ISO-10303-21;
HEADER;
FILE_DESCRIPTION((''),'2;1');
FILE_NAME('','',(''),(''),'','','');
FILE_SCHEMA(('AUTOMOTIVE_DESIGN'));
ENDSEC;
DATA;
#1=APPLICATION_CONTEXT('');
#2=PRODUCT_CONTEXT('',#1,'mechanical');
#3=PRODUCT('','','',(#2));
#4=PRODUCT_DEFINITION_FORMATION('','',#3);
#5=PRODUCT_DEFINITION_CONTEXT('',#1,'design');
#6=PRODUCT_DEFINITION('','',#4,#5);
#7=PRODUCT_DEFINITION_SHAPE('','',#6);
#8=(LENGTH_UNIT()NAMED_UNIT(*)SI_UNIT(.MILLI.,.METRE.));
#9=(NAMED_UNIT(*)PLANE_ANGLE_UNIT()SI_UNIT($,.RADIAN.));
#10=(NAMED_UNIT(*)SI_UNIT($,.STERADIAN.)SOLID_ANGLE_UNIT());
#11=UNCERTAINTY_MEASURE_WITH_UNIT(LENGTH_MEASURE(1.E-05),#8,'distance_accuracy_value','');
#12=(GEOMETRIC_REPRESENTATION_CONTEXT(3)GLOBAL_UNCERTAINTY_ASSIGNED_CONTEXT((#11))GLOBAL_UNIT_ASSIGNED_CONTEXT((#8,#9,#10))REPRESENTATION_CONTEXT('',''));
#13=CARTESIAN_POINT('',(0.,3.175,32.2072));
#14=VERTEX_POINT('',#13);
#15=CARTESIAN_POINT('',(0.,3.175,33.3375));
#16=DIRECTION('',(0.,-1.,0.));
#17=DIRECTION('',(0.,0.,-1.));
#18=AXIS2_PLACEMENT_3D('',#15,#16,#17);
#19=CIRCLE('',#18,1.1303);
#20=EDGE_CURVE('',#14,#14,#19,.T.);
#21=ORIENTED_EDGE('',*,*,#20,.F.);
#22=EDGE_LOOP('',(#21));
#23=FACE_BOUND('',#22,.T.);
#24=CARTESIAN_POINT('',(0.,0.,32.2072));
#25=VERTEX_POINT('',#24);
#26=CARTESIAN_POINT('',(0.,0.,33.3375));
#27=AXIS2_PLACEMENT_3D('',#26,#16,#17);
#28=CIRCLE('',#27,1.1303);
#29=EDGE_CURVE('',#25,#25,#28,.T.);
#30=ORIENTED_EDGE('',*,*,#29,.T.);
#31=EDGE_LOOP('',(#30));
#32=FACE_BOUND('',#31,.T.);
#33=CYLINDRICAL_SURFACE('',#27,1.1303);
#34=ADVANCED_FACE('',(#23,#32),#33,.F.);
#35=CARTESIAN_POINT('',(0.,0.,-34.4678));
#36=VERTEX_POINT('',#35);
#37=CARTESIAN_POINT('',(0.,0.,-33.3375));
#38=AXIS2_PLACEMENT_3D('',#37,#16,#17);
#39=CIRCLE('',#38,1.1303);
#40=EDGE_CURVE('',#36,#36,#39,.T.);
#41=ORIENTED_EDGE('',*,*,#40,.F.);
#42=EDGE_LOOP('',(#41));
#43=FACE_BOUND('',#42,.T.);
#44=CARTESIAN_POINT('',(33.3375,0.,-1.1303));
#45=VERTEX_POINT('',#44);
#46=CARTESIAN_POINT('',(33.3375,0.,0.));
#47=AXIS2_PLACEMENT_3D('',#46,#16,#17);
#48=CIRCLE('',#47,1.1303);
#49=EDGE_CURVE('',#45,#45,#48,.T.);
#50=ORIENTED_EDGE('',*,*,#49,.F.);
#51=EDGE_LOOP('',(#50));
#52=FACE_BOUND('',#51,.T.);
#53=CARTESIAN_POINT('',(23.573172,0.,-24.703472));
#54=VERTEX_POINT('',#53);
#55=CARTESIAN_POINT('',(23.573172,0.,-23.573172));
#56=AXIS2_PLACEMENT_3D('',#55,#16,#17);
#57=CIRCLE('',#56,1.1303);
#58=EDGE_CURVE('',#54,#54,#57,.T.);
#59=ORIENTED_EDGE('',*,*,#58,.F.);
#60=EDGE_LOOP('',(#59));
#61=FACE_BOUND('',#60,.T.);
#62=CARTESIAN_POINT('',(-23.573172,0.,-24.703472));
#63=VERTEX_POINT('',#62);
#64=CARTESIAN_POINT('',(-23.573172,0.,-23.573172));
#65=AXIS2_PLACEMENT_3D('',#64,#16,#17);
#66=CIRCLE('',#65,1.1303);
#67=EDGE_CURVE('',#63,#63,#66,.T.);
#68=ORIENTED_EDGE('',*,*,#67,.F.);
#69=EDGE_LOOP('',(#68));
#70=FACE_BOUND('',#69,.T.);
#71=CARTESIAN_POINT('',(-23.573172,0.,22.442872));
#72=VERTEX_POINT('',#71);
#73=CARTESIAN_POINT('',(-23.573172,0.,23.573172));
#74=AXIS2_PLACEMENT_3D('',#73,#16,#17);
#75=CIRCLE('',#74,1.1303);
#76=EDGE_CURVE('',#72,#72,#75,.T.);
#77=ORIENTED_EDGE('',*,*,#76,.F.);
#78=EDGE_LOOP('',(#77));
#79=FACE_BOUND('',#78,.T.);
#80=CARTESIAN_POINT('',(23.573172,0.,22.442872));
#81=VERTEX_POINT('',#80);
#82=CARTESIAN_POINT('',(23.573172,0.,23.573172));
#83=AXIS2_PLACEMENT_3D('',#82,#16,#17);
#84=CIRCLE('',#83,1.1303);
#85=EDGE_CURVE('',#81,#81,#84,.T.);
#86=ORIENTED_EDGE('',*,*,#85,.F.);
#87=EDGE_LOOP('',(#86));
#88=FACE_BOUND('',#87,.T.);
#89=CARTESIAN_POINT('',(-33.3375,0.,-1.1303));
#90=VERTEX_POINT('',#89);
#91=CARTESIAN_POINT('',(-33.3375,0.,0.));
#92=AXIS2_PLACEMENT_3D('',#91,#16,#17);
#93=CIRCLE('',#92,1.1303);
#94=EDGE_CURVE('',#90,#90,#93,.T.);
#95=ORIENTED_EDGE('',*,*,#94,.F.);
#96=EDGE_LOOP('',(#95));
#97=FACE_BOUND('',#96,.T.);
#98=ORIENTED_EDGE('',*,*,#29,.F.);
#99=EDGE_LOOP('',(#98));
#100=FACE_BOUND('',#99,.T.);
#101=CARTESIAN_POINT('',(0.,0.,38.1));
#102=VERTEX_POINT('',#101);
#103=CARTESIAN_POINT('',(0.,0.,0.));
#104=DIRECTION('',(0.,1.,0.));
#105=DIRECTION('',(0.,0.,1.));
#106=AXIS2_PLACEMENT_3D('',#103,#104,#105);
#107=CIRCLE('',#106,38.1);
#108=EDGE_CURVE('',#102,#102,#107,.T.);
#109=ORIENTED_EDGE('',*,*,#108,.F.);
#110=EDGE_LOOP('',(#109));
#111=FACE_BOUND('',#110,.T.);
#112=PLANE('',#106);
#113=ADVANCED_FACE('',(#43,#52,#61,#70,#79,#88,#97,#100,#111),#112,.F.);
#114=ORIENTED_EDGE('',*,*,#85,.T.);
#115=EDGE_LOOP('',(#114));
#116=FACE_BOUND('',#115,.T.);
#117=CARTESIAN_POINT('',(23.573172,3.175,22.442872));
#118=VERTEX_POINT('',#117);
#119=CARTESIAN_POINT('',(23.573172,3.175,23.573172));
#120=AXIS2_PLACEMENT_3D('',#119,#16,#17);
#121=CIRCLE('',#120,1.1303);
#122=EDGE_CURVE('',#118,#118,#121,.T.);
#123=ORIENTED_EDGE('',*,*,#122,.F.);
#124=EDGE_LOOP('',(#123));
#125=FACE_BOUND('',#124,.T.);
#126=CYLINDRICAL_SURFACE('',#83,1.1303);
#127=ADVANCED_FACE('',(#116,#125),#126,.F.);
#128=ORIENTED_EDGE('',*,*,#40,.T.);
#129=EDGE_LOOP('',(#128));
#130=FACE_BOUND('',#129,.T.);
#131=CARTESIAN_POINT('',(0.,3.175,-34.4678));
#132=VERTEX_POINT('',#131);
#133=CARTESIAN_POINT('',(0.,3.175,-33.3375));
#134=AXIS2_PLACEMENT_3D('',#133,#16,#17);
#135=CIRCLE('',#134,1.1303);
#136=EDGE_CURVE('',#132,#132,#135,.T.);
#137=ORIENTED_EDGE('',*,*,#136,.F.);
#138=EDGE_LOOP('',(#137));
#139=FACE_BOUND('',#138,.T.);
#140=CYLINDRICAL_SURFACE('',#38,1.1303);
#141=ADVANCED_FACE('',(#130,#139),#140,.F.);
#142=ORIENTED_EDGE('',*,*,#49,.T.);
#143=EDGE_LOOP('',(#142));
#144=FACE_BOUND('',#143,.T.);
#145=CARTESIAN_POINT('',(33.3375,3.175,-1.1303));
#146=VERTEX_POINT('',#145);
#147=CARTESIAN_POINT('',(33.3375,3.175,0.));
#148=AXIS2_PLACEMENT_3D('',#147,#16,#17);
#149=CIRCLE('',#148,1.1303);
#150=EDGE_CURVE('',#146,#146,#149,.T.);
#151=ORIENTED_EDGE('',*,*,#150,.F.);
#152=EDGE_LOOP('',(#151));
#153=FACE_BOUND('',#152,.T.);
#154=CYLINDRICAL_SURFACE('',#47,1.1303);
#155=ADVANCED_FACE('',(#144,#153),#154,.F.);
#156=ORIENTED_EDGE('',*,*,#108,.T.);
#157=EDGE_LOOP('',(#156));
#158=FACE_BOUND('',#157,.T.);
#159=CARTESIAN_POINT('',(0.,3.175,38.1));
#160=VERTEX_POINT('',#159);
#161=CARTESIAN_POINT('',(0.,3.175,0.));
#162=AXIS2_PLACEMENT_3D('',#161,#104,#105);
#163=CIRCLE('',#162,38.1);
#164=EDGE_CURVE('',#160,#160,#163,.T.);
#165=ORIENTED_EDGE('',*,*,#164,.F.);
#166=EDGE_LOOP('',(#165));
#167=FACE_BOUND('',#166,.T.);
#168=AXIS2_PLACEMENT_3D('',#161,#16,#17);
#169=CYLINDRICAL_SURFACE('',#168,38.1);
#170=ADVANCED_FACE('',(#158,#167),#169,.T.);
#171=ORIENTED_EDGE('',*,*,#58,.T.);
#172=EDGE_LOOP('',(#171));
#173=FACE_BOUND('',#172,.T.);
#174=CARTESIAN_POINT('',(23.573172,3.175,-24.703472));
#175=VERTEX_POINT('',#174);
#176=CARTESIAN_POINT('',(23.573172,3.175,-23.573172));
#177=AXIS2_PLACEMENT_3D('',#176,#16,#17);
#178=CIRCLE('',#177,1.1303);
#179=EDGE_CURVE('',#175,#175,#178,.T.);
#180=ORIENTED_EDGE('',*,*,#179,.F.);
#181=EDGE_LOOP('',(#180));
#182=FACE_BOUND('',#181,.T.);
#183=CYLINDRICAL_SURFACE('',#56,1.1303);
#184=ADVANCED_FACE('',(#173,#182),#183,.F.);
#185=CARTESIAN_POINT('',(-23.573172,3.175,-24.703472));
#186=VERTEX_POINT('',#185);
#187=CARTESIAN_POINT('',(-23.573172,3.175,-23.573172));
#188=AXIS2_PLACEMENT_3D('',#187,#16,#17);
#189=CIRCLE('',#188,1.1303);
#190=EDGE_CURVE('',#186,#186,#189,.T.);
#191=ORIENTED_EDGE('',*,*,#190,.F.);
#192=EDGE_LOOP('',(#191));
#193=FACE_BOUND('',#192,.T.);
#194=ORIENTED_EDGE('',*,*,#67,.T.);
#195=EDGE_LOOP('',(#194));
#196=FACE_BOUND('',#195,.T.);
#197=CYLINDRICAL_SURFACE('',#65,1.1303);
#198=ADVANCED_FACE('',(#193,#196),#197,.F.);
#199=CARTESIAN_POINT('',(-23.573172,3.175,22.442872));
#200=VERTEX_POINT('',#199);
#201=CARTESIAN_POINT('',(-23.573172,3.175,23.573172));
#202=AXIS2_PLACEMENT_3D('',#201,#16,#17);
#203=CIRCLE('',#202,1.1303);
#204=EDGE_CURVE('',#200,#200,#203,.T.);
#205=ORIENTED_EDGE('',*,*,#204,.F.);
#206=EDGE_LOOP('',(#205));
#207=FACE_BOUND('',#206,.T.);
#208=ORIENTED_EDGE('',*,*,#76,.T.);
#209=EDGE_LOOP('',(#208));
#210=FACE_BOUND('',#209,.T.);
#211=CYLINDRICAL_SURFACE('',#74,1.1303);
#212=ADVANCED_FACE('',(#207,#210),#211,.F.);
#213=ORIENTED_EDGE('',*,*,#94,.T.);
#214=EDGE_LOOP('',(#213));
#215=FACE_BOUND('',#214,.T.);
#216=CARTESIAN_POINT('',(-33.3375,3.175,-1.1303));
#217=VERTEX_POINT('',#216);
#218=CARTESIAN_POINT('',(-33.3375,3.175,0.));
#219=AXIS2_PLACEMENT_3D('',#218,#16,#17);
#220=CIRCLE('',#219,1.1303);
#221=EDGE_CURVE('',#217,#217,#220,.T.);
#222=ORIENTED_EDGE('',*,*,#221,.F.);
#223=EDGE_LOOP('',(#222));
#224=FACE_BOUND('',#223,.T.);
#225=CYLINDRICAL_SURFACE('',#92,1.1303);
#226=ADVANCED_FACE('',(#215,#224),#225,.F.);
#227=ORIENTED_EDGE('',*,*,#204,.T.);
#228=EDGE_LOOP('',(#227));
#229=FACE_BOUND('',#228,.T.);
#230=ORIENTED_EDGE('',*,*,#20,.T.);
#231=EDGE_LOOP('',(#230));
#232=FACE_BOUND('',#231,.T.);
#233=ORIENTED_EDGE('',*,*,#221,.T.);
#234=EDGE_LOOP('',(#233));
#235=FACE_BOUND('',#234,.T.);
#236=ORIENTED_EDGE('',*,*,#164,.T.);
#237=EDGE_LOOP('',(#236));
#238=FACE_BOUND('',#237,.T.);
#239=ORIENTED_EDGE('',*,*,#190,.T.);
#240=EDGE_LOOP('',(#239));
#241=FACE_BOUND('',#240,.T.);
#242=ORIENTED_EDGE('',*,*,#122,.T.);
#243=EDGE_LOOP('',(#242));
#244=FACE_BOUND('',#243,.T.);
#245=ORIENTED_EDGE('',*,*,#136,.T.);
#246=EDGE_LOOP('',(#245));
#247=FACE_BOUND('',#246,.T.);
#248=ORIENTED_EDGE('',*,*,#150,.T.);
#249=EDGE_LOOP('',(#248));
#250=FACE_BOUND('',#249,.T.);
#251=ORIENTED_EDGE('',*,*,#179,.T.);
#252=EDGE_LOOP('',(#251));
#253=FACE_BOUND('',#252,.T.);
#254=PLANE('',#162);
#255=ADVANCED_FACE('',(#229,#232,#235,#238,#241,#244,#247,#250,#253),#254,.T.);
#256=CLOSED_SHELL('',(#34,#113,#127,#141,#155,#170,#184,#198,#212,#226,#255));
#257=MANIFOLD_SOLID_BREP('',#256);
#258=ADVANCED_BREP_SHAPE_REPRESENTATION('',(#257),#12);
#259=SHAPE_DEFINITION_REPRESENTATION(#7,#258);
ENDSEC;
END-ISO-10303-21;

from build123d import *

# Parameters (mm, degrees)
SKETCH1_R                 = 38.1
BOSS_EXTRUDE1_DEPTH       = 3.175
TAP_DRILL_FOR_4_40_TAP1_D = 2.2606
CIRPATTERN1_COUNT         = 8


with BuildPart() as part:
    # Sketch1 → Boss-Extrude1 (new body)
    with BuildSketch(Plane(origin=(0, 0, 0), x_dir=(1, 0, 0), z_dir=(0, 1, 0))):
        Circle(SKETCH1_R)
    extrude(amount=BOSS_EXTRUDE1_DEPTH)

    # Tap Drill for #4-40 Tap1 (through all)
    with Locations(Plane(origin=(0, 0, 0), x_dir=(-1, 0, 0), z_dir=(0, -1, 0))):
        with Locations((0, -33.3375)):
            tap_drill_for_4_40_tap1 = Hole(TAP_DRILL_FOR_4_40_TAP1_D / 2)

    # CirPattern1: Tap Drill for #4-40 Tap1 ×8 about axis
    cirpattern1_axis = Axis((0, 0, 0), (0, 1, 0))
    for i in range(1, CIRPATTERN1_COUNT):
        add(tap_drill_for_4_40_tap1.rotate(cirpattern1_axis, i * 360 / CIRPATTERN1_COUNT), mode=Mode.SUBTRACT)


solid = part.part
